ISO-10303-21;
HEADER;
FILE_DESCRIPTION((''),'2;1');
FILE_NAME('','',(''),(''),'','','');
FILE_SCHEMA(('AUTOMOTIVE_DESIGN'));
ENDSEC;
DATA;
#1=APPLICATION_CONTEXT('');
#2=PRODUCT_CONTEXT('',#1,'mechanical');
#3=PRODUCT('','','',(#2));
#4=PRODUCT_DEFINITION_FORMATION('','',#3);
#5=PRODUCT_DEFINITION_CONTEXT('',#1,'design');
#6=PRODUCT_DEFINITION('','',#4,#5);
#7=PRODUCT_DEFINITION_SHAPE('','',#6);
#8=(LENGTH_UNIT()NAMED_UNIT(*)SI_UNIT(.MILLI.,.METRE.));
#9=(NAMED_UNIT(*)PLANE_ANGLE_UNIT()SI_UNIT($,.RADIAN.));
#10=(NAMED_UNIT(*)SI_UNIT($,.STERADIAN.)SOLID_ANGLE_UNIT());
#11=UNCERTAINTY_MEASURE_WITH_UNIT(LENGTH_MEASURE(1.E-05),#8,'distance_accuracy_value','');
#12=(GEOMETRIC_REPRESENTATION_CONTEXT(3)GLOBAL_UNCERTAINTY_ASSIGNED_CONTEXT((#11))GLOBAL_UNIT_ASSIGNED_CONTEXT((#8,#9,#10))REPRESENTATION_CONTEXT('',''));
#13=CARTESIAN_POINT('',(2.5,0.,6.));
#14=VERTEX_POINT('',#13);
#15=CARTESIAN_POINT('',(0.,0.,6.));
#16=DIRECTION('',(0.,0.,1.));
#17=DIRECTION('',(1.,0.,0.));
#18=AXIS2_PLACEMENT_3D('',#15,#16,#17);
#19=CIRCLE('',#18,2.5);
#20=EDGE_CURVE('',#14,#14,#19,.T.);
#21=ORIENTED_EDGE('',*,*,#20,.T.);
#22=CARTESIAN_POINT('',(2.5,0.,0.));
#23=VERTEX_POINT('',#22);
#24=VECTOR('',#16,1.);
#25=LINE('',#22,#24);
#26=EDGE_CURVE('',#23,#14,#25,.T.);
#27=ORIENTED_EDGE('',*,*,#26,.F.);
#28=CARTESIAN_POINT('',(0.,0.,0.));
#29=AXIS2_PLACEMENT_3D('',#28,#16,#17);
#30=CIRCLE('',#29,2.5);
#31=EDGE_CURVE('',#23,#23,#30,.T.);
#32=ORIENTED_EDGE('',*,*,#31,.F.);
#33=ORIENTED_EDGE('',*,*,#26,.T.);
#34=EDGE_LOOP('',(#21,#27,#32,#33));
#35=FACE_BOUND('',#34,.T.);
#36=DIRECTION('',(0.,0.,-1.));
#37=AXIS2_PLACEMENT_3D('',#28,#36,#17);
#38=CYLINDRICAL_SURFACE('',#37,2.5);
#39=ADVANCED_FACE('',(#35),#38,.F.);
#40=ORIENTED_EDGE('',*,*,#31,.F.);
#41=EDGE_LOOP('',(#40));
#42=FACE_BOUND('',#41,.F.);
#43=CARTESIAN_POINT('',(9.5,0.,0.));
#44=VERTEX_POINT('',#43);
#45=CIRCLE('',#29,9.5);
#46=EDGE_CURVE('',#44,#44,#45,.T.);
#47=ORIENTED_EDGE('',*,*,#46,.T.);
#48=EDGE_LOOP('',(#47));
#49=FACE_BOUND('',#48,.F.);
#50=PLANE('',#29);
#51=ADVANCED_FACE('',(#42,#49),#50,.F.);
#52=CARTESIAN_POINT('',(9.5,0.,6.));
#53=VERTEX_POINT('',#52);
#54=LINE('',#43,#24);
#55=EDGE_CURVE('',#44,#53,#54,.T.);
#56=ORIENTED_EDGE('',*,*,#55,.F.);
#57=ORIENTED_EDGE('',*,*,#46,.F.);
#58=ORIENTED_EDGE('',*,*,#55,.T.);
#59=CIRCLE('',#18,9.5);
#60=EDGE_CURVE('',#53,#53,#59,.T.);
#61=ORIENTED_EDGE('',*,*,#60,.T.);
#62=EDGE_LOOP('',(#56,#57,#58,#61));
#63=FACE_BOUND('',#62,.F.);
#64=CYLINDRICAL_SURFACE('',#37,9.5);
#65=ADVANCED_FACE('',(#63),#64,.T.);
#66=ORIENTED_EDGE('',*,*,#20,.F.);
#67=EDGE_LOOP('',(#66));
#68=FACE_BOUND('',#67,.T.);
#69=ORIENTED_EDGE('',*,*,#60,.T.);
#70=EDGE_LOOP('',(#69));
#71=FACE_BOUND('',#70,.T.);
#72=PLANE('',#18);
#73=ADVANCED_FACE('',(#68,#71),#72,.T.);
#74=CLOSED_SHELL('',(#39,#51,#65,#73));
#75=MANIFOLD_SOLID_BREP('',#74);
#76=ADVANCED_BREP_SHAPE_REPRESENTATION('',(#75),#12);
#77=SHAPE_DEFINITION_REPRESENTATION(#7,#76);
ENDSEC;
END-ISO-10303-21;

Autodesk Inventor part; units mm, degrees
ref_plane "YZ Plane" through (0, 0, 0) normal (1, 0, 0) x (0, 1, 0)
ref_plane "XZ Plane" through (0, 0, 0) normal (0, 1, 0) x (-1, 0, 0)
ref_plane "XY Plane" through (0, 0, 0) normal (0, 0, 1) x (1, 0, 0)
sketch "Skizze1" plane through (0, 0, 0) normal (0, 0, 1) x (1, 0, 0)
  circle A0 centre (0, 0) radius 2.5
  circle A1 centre (0, 0) radius 9.5
  dimension "d0" = 5
  dimension "d1" = 19
extrude "Extrusion1" add sketch "Skizze1" along normal blind 6
properties part number "P_Lager_19x6_5" material "Acetalharz, Schwarz"
